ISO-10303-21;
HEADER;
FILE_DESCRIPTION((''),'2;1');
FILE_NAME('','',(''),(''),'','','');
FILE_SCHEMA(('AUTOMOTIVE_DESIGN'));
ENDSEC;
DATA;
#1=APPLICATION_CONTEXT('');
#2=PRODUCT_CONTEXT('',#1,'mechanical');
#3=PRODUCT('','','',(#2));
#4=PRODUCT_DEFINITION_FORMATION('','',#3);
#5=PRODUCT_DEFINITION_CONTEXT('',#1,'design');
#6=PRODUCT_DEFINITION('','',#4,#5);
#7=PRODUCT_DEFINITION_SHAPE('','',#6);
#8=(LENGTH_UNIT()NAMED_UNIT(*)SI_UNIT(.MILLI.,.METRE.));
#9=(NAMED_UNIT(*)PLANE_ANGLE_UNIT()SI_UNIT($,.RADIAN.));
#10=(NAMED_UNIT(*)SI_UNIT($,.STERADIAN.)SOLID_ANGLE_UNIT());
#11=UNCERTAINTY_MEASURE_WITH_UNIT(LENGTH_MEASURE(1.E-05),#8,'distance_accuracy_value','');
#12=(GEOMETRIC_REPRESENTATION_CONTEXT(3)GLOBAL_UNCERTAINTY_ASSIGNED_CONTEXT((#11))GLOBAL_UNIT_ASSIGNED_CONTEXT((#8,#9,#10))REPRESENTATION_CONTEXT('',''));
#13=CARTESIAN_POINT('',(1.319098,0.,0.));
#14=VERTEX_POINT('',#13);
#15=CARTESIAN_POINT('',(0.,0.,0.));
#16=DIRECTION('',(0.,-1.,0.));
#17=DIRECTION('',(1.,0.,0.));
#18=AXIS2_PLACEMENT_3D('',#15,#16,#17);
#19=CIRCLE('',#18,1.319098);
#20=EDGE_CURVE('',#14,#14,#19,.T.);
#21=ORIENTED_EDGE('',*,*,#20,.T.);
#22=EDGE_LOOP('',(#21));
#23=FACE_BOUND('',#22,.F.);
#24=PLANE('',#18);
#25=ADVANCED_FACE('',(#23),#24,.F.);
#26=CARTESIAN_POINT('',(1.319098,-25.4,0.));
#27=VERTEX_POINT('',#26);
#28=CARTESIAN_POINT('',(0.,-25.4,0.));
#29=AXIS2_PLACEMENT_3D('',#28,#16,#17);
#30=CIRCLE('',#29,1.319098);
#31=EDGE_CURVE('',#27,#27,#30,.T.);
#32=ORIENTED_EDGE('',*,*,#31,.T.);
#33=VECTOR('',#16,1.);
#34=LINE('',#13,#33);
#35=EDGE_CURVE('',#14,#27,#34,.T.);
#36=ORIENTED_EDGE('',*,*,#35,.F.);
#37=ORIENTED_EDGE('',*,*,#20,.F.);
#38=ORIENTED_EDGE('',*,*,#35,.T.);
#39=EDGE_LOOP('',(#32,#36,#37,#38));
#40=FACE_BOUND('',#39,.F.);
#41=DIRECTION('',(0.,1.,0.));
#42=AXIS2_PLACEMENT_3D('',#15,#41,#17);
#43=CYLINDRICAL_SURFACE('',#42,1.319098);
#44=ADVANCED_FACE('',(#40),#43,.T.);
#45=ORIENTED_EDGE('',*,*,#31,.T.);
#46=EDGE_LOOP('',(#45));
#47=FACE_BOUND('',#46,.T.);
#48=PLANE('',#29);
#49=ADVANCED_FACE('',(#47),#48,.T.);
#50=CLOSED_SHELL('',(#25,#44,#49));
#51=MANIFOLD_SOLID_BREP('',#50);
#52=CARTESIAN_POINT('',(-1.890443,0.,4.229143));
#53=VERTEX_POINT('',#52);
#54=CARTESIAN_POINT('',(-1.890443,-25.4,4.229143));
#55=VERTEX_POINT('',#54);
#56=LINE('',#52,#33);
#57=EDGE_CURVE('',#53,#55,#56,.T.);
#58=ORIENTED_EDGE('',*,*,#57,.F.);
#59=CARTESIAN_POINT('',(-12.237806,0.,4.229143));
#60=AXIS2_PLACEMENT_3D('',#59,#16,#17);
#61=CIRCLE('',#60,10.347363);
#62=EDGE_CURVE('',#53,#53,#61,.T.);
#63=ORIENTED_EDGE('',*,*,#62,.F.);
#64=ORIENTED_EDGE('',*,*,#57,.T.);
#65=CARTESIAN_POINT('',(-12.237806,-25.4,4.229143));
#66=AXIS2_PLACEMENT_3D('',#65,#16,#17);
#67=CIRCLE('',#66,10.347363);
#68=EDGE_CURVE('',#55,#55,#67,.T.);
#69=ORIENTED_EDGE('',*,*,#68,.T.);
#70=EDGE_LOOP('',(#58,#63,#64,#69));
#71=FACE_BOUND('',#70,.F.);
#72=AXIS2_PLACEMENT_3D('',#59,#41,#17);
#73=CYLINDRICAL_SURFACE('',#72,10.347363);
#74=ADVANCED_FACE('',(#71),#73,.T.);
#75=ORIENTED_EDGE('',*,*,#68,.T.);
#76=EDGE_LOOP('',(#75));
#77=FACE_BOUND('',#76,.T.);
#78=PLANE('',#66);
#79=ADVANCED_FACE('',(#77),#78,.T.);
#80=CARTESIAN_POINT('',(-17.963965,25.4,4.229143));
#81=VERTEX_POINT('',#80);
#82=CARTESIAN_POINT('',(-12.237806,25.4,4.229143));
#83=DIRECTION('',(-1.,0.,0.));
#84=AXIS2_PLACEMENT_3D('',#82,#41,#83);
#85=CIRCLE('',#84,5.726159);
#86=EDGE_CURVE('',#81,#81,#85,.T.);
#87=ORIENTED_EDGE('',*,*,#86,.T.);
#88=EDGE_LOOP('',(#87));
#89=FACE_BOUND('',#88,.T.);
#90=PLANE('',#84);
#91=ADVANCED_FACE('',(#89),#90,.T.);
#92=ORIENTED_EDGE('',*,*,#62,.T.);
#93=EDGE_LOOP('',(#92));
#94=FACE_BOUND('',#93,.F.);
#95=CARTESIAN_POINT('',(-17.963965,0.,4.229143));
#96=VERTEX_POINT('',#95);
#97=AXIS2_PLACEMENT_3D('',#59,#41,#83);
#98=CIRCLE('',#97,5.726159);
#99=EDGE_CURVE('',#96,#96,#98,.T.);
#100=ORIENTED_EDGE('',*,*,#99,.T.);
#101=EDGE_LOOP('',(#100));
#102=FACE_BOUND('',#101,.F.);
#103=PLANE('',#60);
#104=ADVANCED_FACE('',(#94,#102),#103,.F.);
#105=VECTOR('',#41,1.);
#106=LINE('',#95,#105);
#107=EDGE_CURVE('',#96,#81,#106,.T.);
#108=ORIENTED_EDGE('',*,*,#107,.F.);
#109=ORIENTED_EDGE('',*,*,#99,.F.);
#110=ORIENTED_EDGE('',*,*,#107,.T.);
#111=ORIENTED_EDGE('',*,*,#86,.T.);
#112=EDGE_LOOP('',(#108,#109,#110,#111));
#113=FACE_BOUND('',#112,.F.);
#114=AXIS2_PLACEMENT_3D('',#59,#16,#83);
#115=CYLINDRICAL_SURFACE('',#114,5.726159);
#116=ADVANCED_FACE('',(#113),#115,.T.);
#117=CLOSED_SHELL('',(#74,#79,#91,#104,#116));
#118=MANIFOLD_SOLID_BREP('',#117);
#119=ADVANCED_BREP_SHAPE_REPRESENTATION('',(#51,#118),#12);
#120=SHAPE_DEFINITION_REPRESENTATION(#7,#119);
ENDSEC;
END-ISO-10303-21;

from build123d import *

# Parameters (mm, degrees)
F0_R     = 1.319098
F0_R_2   = 10.347363
F1_DEPTH = 25.4
F2_R     = 5.726159
F3_DEPTH = 25.4


with BuildPart() as f1:
    # F0 (on Front) → F1 (new body)
    with BuildSketch(Plane.XZ):
        Circle(F0_R)
        with Locations((-12.237806, 4.229143)):
            Circle(F0_R_2)
    extrude(amount=F1_DEPTH)

    # F2 (on face) → F3 (join)
    with BuildSketch(Plane(origin=(0, 0, 0), x_dir=(-1, 0, 0), z_dir=(0, 1, 0))):
        with Locations((12.237806, 4.229143)):
            Circle(F2_R)
    extrude(amount=F3_DEPTH)


solid = f1.part
